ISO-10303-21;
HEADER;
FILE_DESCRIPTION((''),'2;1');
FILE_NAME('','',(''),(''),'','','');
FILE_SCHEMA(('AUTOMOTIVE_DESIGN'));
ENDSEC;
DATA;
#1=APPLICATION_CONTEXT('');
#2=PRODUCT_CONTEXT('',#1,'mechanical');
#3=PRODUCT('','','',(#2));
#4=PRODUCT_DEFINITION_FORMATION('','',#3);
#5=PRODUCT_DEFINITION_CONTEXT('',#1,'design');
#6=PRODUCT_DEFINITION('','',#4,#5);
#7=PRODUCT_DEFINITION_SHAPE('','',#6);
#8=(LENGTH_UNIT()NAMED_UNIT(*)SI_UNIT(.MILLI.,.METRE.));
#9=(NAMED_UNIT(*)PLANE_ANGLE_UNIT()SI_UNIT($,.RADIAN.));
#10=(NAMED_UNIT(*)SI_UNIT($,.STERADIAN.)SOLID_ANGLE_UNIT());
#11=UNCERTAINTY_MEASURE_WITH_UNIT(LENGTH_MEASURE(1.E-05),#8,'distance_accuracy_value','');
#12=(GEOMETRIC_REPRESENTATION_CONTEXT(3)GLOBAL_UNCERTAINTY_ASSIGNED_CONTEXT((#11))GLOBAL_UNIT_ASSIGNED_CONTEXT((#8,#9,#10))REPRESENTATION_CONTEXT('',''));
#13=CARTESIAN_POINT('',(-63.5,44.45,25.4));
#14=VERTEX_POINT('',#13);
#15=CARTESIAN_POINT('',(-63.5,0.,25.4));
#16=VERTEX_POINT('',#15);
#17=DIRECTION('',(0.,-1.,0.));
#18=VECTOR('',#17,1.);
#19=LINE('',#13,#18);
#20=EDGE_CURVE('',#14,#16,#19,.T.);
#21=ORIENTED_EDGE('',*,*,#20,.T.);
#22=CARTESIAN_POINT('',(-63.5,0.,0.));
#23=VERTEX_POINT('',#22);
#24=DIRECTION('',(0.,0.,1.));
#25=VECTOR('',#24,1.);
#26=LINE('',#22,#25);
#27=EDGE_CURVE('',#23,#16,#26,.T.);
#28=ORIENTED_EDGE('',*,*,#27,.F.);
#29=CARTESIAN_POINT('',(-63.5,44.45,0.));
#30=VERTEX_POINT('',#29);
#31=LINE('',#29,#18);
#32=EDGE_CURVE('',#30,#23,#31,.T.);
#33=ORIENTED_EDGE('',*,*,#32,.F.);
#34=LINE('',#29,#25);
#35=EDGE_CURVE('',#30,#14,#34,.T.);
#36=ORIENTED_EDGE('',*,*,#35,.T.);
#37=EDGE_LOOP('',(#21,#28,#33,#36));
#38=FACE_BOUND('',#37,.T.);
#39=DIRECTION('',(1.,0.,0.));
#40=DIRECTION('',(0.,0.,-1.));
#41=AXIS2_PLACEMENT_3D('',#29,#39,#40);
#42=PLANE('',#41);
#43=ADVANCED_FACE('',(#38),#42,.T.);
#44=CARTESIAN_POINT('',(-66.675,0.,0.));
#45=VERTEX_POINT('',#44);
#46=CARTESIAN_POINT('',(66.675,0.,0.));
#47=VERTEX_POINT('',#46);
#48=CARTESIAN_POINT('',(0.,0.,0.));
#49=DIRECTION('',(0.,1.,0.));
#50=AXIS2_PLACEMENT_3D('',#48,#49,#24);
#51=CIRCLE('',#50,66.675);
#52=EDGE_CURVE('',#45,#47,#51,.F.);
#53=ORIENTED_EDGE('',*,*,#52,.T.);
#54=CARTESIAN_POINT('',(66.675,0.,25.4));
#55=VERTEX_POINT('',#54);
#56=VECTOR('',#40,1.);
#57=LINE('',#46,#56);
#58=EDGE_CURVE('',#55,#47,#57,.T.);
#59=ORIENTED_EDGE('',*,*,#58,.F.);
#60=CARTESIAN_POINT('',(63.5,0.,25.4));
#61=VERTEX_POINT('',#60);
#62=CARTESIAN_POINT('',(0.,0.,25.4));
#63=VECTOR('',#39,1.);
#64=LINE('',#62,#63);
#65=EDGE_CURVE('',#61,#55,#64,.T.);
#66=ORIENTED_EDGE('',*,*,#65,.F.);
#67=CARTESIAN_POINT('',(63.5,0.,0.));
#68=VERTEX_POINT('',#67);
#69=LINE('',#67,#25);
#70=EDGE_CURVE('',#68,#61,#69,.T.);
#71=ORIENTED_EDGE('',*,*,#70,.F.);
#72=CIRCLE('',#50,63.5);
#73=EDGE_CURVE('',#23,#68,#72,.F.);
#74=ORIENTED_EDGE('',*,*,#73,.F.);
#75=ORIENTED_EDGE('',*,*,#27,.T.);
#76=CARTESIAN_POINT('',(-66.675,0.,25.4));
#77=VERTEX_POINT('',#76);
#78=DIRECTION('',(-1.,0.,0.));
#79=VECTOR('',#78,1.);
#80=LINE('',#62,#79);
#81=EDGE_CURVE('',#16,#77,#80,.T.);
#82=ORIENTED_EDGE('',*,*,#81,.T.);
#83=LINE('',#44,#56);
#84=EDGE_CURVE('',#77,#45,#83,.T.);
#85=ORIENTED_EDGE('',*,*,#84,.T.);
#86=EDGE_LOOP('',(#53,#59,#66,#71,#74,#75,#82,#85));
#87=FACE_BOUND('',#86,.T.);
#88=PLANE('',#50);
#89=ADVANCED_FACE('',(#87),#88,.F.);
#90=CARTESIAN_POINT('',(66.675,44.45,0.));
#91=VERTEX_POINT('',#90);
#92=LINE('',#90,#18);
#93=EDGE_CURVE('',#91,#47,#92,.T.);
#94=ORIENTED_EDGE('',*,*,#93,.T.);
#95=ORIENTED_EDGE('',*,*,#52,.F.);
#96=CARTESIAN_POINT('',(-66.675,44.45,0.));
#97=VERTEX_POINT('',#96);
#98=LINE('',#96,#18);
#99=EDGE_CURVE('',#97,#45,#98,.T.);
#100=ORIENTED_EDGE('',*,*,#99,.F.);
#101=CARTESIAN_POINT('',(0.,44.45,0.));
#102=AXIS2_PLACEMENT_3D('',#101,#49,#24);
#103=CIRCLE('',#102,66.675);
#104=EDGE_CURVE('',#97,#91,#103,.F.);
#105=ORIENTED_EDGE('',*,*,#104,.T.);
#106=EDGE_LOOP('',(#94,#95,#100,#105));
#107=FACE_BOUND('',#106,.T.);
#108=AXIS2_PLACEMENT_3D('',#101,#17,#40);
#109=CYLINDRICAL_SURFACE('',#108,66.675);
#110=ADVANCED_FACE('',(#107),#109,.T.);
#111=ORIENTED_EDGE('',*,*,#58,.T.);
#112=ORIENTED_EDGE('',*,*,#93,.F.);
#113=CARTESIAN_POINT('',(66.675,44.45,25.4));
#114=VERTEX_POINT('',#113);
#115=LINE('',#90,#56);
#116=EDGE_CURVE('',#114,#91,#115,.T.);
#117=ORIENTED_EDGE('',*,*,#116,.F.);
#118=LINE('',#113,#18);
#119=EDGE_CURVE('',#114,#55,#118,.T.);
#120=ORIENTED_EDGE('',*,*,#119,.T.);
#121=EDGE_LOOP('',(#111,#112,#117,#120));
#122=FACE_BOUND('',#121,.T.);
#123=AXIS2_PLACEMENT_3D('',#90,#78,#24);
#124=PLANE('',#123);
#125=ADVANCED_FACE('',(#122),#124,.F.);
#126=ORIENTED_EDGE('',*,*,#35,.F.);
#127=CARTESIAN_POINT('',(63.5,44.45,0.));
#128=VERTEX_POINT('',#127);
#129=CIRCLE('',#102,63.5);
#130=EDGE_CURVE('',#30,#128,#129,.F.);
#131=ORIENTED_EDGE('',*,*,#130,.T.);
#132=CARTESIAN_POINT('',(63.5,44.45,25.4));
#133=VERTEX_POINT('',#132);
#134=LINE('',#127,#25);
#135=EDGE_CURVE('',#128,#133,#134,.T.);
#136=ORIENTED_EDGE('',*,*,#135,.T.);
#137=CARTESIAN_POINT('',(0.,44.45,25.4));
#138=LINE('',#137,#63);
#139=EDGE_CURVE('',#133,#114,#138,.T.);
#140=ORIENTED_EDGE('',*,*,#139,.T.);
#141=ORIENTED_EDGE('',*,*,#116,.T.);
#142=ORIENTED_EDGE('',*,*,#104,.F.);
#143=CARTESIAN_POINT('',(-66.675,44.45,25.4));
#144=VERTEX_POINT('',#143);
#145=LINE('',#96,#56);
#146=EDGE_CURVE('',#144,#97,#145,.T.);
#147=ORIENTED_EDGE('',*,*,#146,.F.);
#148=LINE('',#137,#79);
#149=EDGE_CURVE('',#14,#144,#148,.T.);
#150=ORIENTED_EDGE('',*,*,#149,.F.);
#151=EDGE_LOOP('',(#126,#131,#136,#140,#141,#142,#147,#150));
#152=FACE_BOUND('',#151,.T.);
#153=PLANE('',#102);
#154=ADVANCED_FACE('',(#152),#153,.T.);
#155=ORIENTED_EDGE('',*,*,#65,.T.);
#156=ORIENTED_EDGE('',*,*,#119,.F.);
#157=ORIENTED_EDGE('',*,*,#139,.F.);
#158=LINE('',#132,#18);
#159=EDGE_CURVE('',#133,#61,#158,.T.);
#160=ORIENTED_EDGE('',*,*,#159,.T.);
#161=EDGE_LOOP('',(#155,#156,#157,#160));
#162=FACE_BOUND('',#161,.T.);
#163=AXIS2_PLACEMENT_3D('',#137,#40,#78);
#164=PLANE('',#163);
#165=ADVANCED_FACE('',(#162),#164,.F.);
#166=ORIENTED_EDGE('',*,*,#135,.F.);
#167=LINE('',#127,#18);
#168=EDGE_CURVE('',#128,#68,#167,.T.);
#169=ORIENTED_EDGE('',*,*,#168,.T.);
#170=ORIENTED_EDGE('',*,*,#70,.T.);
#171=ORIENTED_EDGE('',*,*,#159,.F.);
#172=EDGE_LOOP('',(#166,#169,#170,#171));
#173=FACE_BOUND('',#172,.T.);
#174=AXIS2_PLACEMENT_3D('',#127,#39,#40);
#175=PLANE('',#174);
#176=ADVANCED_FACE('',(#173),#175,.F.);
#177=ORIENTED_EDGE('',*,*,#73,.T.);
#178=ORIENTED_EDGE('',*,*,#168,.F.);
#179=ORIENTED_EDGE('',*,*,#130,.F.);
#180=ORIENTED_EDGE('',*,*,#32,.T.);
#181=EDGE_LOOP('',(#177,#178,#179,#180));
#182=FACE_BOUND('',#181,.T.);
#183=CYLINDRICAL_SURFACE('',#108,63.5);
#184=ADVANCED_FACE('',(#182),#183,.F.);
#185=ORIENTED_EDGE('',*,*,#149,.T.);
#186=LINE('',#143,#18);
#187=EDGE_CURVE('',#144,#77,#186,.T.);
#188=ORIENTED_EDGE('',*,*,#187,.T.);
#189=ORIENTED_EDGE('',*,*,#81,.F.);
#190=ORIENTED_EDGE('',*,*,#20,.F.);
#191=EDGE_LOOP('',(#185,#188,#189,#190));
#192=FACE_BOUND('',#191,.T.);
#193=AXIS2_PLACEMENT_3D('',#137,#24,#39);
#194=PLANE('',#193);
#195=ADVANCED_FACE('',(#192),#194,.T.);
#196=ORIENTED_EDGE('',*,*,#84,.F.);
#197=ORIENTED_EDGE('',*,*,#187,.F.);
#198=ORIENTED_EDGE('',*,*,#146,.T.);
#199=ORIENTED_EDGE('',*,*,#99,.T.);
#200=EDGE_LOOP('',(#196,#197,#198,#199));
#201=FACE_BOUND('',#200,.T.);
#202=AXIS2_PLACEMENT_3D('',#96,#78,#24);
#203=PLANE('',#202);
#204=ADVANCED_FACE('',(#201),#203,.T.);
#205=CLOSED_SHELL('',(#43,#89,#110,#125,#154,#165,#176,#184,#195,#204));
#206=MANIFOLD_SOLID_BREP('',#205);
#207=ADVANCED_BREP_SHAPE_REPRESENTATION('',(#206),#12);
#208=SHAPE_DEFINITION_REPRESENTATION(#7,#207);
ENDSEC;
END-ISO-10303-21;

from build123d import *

# Parameters (mm, degrees)
BOSS_EXTRUDE1_DEPTH = 44.45


with BuildPart() as part:
    # Sketch1 → Boss-Extrude1 (new body)
    with BuildSketch(Plane(origin=(0, 0, 0), x_dir=(1, 0, 0), z_dir=(0, 1, 0))):
        with BuildLine():
            ThreePointArc((-66.675, 0), (0, 66.675), (66.675, 0))
            Line((66.675, 0), (66.675, -25.4))
            Line((66.675, -25.4), (63.5, -25.4))
            Line((63.5, -25.4), (63.5, 0))
            ThreePointArc((63.5, 0), (0, 63.5), (-63.5, 0))
            Line((-63.5, 0), (-63.5, -25.4))
            Line((-63.5, -25.4), (-66.675, -25.4))
            Line((-66.675, -25.4), (-66.675, 0))
        make_face()
    extrude(amount=BOSS_EXTRUDE1_DEPTH)


solid = part.part
